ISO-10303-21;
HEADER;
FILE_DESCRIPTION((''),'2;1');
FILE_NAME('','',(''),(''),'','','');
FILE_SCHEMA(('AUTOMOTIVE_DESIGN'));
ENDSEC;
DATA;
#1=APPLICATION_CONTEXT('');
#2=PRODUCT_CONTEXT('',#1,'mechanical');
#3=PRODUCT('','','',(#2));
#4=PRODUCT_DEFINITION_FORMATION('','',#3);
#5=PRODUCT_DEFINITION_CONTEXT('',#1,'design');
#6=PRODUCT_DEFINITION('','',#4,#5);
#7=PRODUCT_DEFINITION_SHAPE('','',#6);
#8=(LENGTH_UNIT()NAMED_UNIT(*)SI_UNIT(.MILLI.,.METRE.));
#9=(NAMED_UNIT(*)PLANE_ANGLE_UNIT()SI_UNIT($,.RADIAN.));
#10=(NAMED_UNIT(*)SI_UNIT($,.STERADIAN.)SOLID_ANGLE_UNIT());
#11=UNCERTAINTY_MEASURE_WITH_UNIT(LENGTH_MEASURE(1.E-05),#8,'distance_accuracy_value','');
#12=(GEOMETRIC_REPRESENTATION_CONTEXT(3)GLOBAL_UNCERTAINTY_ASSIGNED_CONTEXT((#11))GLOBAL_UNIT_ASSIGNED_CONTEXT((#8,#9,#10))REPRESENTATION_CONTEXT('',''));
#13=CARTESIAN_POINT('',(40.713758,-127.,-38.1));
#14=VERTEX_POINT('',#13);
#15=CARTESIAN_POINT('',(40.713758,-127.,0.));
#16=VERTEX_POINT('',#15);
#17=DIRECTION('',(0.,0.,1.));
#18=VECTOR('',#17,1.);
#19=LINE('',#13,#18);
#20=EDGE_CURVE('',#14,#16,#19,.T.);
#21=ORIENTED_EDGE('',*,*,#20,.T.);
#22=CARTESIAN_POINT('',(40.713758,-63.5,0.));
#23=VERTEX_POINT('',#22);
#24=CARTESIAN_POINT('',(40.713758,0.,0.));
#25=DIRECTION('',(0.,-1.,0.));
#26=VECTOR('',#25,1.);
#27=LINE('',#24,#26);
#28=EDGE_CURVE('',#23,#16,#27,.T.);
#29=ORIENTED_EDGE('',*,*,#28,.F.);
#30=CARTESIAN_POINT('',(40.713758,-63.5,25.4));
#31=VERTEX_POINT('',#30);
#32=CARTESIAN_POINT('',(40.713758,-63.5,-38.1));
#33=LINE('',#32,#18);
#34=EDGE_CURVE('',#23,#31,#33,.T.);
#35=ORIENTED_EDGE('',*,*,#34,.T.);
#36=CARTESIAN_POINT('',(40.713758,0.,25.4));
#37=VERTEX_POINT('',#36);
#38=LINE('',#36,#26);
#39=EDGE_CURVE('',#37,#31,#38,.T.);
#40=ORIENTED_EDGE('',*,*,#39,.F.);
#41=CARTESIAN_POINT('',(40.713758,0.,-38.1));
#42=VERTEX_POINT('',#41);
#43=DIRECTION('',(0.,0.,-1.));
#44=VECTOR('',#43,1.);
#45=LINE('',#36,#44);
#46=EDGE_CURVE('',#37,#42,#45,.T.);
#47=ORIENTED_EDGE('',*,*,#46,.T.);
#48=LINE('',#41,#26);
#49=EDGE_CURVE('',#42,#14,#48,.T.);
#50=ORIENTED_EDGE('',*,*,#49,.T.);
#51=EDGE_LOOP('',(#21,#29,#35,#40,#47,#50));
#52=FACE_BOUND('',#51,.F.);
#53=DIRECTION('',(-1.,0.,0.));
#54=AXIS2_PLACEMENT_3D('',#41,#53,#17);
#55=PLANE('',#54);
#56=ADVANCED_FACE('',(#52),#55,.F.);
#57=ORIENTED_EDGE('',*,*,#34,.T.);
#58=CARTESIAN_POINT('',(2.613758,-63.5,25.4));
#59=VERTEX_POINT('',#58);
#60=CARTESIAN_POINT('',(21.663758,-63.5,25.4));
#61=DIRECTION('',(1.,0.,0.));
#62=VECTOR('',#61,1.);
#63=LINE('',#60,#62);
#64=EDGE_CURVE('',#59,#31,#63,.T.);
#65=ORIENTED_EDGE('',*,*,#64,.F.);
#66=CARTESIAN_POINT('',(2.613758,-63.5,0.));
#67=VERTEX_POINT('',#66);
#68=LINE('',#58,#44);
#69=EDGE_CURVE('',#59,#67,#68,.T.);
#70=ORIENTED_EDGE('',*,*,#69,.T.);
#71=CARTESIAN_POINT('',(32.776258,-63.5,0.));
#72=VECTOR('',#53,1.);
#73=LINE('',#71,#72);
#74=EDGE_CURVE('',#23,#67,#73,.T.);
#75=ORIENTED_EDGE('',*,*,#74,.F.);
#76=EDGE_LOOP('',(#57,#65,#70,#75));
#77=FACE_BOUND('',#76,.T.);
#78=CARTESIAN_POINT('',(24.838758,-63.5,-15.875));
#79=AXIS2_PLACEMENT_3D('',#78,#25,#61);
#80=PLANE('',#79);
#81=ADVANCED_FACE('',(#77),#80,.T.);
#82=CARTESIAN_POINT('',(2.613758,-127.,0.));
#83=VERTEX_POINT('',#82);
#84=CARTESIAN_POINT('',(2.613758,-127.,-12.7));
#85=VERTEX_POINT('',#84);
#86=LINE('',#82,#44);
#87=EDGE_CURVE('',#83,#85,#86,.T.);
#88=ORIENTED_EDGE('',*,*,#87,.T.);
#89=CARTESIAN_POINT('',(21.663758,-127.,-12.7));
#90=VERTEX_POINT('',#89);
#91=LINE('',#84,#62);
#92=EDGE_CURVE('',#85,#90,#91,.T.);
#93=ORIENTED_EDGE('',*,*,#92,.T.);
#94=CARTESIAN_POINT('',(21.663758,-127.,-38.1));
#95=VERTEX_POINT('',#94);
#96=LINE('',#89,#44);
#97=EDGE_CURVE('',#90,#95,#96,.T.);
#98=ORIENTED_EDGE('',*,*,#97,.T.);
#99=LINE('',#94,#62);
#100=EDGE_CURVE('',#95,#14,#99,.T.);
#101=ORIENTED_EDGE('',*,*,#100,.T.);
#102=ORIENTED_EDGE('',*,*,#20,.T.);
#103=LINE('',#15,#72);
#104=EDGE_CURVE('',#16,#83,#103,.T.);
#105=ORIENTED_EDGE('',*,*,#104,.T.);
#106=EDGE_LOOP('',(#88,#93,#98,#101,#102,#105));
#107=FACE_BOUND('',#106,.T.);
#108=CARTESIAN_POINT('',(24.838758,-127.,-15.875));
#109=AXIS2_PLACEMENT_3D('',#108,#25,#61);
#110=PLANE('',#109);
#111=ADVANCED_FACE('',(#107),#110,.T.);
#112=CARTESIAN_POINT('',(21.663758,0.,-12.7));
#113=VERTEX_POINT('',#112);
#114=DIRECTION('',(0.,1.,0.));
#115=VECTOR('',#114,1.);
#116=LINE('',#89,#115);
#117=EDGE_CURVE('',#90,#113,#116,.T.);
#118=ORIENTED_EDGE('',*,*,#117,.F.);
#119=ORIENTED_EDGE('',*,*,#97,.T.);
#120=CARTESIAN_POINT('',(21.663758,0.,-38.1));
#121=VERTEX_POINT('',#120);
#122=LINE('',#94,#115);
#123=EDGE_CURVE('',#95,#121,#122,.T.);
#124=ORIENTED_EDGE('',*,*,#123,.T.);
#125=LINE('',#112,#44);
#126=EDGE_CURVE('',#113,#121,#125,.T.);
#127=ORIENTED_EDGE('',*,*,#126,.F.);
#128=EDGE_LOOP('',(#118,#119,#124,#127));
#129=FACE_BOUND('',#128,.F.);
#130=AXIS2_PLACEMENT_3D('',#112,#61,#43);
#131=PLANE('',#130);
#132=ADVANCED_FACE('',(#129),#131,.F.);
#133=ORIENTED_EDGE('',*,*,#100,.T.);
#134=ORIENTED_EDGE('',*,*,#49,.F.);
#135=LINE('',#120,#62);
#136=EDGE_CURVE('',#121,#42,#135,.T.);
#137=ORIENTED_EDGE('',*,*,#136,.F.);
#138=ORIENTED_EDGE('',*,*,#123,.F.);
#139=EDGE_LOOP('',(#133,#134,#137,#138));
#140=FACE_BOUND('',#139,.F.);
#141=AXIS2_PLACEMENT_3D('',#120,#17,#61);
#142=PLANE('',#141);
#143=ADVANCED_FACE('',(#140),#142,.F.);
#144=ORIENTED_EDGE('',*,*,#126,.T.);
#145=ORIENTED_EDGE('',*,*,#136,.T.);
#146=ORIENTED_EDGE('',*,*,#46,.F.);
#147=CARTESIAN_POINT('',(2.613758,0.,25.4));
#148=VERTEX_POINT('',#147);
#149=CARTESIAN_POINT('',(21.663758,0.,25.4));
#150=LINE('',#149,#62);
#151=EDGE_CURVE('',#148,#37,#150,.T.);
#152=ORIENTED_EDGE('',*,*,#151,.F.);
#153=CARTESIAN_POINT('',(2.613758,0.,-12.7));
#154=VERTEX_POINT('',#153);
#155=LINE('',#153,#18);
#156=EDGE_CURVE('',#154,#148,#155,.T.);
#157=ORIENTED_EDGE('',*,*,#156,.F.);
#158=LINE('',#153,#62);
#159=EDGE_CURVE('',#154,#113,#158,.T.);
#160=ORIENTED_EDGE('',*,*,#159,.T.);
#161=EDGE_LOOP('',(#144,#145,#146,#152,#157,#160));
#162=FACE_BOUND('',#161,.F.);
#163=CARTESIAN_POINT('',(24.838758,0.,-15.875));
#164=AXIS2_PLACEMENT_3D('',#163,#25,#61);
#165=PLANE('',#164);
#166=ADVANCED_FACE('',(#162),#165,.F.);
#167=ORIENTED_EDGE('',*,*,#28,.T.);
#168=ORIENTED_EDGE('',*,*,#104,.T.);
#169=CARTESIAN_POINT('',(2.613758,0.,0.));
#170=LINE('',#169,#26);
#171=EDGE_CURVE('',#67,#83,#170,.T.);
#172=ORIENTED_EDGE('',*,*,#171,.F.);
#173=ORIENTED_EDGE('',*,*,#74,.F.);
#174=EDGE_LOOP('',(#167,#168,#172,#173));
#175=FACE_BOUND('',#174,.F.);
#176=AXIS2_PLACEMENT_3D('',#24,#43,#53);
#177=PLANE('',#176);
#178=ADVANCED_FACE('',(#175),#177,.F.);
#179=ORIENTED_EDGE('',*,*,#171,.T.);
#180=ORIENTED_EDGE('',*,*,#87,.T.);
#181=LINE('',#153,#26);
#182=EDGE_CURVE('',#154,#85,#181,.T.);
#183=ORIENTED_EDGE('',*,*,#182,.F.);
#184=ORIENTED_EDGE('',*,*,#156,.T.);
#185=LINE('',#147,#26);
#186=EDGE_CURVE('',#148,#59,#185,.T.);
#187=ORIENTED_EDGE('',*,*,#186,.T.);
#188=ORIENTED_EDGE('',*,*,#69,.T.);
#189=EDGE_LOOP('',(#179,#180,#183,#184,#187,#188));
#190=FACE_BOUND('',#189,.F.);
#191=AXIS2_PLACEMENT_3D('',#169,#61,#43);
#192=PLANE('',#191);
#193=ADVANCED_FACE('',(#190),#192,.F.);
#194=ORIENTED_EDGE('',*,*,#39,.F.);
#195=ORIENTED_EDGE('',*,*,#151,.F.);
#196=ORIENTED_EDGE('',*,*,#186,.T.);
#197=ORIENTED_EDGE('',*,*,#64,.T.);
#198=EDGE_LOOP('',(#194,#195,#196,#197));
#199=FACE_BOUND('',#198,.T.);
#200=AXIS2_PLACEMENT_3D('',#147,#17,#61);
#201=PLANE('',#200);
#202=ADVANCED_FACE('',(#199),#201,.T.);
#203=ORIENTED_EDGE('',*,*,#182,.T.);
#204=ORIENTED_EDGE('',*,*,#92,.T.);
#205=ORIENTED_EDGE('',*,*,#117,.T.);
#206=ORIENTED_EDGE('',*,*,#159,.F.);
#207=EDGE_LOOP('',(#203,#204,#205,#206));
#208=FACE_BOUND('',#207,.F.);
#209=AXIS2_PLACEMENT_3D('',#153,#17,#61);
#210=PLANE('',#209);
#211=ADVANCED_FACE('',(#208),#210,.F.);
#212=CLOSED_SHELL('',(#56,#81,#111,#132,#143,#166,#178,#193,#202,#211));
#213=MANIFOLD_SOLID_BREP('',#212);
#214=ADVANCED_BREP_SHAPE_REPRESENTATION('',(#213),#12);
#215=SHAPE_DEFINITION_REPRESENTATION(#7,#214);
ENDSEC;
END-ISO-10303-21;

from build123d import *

# Parameters (mm, degrees)
F1_DEPTH = 127
F0_W     = 38.1
F0_H     = 25.4
F2_DEPTH = 63.5


with BuildPart() as f1:
    # F0 (on Front) → F1 (new body)
    with BuildSketch(Plane.XZ):
        Polygon((21.663758, -38.1), (40.713758, -38.1), (40.713758, 0), (2.613758, 0), (2.613758, -12.7), (21.663758, -12.7), align=None)
    extrude(amount=F1_DEPTH)

    # F0 (on Front) → F2 (join)
    with BuildSketch(Plane.XZ):
        Polygon((21.663758, -38.1), (40.713758, -38.1), (40.713758, 0), (2.613758, 0), (2.613758, -12.7), (21.663758, -12.7), align=None)
        with Locations((21.663758, 12.7)):
            Rectangle(F0_W, F0_H)
    extrude(amount=F2_DEPTH)


solid = f1.part
